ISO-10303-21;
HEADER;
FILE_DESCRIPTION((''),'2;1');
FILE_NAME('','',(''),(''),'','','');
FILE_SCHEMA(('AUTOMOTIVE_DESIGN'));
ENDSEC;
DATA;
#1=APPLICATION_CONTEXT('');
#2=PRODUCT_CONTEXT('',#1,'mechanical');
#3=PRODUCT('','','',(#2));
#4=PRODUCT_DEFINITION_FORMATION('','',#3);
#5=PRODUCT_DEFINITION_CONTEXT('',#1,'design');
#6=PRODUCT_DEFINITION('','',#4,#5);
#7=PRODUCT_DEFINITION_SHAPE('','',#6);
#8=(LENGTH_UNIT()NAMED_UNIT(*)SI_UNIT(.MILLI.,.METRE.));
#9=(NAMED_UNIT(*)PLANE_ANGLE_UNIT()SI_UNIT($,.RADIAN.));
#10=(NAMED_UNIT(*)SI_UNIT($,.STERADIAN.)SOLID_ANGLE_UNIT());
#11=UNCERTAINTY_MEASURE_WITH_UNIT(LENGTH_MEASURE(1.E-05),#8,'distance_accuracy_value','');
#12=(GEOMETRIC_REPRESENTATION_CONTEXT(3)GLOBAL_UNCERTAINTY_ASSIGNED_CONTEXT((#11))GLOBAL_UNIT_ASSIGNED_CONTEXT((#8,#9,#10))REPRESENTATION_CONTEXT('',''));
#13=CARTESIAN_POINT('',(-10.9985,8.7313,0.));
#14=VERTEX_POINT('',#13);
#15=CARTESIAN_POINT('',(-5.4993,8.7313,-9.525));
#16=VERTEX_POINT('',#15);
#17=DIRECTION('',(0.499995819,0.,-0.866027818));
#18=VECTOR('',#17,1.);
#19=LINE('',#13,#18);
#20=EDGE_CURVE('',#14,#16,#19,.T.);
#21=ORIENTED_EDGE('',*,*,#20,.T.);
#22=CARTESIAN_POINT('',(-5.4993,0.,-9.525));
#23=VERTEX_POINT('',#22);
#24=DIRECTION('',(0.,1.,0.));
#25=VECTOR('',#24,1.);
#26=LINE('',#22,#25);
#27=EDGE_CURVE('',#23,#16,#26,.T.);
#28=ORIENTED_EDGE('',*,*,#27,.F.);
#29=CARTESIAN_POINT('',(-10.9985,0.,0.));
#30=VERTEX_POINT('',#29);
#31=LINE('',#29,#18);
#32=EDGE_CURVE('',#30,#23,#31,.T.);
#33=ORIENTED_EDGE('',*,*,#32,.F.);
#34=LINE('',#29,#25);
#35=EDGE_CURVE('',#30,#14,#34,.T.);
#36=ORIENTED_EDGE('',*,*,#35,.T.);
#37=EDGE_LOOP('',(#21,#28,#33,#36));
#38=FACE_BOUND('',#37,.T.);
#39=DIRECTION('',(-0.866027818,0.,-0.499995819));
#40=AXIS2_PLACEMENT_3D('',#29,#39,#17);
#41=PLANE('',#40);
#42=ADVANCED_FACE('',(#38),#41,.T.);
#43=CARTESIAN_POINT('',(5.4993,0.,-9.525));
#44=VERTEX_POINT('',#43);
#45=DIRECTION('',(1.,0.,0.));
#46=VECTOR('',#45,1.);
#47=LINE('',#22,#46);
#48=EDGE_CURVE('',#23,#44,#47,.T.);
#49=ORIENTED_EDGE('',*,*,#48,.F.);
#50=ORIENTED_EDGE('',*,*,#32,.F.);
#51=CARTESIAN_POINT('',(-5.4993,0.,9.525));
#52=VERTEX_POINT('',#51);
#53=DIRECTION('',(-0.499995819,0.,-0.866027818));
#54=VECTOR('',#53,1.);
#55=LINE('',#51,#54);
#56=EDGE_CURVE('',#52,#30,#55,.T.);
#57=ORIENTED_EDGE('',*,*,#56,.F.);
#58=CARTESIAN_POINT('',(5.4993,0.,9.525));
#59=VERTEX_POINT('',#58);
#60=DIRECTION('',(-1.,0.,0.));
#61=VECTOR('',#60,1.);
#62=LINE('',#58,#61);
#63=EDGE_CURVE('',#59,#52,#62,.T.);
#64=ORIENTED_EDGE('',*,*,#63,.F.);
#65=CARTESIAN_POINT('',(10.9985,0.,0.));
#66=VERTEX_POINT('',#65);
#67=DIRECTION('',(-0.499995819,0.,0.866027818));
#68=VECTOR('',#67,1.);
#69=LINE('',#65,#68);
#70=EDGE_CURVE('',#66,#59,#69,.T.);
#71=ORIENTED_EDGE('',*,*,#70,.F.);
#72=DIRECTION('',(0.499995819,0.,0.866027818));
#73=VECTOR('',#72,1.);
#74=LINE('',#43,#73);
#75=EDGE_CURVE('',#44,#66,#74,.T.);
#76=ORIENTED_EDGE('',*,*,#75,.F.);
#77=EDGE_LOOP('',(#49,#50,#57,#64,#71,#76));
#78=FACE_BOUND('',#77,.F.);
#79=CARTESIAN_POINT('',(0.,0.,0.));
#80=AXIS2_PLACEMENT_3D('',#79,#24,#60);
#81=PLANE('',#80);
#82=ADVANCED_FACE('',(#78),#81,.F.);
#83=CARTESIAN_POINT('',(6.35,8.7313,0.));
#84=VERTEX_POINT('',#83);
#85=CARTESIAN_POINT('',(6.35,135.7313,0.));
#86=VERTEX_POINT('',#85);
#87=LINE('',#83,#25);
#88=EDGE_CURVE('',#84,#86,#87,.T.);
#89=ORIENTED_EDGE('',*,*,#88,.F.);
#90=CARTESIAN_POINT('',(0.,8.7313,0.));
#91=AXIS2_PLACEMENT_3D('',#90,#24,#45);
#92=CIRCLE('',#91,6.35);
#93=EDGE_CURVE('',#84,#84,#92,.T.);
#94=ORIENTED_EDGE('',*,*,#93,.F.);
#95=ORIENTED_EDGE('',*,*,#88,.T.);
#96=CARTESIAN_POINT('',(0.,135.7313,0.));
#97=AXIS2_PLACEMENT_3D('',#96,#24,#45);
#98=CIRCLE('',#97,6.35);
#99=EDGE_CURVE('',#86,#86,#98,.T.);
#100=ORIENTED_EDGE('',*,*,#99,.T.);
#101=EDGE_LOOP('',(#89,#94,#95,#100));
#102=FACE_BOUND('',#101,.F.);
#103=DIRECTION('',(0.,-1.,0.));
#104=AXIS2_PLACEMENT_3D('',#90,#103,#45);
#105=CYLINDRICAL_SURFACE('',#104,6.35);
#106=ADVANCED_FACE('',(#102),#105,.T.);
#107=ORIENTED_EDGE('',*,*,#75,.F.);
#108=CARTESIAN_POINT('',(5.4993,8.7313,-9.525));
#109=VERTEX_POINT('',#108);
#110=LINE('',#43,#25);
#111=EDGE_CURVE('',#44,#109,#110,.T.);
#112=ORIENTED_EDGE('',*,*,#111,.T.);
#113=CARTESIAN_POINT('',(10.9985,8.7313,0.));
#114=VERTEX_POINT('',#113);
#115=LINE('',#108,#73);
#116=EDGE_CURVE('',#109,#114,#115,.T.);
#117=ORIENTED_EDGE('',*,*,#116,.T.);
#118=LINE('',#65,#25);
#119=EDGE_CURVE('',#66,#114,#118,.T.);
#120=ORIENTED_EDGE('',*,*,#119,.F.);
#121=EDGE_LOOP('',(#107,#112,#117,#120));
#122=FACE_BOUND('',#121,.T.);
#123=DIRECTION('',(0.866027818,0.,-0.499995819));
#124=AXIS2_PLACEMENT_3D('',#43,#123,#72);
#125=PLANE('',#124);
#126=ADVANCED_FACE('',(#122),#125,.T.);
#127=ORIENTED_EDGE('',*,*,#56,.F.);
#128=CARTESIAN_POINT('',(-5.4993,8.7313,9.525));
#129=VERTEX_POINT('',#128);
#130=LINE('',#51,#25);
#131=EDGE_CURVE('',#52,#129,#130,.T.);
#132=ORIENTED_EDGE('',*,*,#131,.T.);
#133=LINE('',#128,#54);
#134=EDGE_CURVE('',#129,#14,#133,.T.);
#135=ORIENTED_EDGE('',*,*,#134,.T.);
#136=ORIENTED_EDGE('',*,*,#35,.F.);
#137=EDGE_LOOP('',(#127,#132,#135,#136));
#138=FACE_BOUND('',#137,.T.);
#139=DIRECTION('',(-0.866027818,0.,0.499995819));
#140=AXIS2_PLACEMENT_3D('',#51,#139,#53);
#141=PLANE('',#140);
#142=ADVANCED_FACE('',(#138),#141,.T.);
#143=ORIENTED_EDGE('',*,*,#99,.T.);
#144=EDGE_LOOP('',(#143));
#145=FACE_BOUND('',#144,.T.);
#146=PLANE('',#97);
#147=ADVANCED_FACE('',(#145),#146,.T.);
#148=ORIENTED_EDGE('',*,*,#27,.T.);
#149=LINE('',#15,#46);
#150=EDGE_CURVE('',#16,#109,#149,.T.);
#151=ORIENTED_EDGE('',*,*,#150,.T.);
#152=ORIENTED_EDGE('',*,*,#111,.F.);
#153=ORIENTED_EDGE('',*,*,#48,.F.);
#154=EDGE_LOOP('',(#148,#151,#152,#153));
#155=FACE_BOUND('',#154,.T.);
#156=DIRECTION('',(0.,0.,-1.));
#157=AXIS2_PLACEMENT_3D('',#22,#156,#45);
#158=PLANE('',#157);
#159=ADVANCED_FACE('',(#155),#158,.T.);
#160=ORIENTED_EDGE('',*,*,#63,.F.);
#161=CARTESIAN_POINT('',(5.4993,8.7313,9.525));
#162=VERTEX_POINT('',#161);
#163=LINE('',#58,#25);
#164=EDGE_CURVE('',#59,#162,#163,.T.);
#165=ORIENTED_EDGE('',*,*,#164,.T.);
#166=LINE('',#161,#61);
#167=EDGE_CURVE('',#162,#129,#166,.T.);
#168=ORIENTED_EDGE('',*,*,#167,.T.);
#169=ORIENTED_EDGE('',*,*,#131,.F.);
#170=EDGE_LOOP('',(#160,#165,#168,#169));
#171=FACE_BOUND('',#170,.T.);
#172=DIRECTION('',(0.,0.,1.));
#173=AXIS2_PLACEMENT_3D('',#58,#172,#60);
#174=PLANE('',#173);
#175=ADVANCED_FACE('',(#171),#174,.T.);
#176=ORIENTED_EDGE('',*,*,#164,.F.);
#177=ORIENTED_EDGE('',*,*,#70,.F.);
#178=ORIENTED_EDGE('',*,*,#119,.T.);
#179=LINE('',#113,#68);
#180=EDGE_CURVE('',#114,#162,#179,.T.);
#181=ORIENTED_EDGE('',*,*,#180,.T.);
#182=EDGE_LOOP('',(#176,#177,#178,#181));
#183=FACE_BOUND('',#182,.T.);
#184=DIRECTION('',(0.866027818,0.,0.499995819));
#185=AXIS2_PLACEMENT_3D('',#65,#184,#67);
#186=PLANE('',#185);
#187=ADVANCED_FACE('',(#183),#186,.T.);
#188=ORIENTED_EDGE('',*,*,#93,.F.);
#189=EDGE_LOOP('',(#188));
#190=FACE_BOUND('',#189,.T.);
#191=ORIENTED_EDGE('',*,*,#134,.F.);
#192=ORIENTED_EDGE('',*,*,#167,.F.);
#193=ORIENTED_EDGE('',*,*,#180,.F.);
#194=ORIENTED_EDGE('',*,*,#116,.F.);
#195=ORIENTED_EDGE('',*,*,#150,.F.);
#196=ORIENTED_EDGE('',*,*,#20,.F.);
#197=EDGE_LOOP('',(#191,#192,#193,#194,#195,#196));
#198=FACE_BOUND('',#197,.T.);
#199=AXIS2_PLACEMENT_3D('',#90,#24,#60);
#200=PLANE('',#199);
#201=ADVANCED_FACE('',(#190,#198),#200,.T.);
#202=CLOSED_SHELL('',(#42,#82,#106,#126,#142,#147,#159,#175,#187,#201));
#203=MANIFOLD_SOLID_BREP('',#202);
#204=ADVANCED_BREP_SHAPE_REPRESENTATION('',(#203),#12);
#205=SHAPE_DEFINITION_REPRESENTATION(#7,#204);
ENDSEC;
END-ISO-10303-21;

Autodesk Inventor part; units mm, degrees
ref_plane "YZ Plane" through (0, 0, 0) normal (1, 0, 0) x (0, 1, 0)
ref_plane "XZ Plane" through (0, 0, 0) normal (0, 1, 0) x (-1, 0, 0)
ref_plane "XY Plane" through (0, 0, 0) normal (0, 0, 1) x (1, 0, 0)
sketch "Sketch1" plane through (0, 0, 0) normal (0, 1, 0) x (-1, 0, 0)
  line L0 (-5.4993, -9.525) -> (-10.9985, 0)
  line L1 (-10.9985, 0) -> (-5.4993, 9.525)
  line L2 (-5.4993, 9.525) -> (5.4993, 9.525)
  line L3 (5.4993, 9.525) -> (10.9985, 0)
  line L4 (10.9985, 0) -> (5.4993, -9.525)
  line L5 (5.4993, -9.525) -> (-5.4993, -9.525)
  point P0 (0, 0)
  point P1 (0, 0)
  dimension "d0" = 19.05
extrude "Extrusion1" add sketch "Sketch1" along normal blind 8.7313
sketch "Sketch2" plane through (0, 8.7313, 0) normal (0, 1, 0) x (1, 0, 0)
  circle A0 centre (0, 0) radius 6.35
  dimension "d3" = 12.7
extrude "Extrusion2" add sketch "Sketch2" along normal blind 127
properties part number "half-inch hex bolt" material "Steel, Cast"
